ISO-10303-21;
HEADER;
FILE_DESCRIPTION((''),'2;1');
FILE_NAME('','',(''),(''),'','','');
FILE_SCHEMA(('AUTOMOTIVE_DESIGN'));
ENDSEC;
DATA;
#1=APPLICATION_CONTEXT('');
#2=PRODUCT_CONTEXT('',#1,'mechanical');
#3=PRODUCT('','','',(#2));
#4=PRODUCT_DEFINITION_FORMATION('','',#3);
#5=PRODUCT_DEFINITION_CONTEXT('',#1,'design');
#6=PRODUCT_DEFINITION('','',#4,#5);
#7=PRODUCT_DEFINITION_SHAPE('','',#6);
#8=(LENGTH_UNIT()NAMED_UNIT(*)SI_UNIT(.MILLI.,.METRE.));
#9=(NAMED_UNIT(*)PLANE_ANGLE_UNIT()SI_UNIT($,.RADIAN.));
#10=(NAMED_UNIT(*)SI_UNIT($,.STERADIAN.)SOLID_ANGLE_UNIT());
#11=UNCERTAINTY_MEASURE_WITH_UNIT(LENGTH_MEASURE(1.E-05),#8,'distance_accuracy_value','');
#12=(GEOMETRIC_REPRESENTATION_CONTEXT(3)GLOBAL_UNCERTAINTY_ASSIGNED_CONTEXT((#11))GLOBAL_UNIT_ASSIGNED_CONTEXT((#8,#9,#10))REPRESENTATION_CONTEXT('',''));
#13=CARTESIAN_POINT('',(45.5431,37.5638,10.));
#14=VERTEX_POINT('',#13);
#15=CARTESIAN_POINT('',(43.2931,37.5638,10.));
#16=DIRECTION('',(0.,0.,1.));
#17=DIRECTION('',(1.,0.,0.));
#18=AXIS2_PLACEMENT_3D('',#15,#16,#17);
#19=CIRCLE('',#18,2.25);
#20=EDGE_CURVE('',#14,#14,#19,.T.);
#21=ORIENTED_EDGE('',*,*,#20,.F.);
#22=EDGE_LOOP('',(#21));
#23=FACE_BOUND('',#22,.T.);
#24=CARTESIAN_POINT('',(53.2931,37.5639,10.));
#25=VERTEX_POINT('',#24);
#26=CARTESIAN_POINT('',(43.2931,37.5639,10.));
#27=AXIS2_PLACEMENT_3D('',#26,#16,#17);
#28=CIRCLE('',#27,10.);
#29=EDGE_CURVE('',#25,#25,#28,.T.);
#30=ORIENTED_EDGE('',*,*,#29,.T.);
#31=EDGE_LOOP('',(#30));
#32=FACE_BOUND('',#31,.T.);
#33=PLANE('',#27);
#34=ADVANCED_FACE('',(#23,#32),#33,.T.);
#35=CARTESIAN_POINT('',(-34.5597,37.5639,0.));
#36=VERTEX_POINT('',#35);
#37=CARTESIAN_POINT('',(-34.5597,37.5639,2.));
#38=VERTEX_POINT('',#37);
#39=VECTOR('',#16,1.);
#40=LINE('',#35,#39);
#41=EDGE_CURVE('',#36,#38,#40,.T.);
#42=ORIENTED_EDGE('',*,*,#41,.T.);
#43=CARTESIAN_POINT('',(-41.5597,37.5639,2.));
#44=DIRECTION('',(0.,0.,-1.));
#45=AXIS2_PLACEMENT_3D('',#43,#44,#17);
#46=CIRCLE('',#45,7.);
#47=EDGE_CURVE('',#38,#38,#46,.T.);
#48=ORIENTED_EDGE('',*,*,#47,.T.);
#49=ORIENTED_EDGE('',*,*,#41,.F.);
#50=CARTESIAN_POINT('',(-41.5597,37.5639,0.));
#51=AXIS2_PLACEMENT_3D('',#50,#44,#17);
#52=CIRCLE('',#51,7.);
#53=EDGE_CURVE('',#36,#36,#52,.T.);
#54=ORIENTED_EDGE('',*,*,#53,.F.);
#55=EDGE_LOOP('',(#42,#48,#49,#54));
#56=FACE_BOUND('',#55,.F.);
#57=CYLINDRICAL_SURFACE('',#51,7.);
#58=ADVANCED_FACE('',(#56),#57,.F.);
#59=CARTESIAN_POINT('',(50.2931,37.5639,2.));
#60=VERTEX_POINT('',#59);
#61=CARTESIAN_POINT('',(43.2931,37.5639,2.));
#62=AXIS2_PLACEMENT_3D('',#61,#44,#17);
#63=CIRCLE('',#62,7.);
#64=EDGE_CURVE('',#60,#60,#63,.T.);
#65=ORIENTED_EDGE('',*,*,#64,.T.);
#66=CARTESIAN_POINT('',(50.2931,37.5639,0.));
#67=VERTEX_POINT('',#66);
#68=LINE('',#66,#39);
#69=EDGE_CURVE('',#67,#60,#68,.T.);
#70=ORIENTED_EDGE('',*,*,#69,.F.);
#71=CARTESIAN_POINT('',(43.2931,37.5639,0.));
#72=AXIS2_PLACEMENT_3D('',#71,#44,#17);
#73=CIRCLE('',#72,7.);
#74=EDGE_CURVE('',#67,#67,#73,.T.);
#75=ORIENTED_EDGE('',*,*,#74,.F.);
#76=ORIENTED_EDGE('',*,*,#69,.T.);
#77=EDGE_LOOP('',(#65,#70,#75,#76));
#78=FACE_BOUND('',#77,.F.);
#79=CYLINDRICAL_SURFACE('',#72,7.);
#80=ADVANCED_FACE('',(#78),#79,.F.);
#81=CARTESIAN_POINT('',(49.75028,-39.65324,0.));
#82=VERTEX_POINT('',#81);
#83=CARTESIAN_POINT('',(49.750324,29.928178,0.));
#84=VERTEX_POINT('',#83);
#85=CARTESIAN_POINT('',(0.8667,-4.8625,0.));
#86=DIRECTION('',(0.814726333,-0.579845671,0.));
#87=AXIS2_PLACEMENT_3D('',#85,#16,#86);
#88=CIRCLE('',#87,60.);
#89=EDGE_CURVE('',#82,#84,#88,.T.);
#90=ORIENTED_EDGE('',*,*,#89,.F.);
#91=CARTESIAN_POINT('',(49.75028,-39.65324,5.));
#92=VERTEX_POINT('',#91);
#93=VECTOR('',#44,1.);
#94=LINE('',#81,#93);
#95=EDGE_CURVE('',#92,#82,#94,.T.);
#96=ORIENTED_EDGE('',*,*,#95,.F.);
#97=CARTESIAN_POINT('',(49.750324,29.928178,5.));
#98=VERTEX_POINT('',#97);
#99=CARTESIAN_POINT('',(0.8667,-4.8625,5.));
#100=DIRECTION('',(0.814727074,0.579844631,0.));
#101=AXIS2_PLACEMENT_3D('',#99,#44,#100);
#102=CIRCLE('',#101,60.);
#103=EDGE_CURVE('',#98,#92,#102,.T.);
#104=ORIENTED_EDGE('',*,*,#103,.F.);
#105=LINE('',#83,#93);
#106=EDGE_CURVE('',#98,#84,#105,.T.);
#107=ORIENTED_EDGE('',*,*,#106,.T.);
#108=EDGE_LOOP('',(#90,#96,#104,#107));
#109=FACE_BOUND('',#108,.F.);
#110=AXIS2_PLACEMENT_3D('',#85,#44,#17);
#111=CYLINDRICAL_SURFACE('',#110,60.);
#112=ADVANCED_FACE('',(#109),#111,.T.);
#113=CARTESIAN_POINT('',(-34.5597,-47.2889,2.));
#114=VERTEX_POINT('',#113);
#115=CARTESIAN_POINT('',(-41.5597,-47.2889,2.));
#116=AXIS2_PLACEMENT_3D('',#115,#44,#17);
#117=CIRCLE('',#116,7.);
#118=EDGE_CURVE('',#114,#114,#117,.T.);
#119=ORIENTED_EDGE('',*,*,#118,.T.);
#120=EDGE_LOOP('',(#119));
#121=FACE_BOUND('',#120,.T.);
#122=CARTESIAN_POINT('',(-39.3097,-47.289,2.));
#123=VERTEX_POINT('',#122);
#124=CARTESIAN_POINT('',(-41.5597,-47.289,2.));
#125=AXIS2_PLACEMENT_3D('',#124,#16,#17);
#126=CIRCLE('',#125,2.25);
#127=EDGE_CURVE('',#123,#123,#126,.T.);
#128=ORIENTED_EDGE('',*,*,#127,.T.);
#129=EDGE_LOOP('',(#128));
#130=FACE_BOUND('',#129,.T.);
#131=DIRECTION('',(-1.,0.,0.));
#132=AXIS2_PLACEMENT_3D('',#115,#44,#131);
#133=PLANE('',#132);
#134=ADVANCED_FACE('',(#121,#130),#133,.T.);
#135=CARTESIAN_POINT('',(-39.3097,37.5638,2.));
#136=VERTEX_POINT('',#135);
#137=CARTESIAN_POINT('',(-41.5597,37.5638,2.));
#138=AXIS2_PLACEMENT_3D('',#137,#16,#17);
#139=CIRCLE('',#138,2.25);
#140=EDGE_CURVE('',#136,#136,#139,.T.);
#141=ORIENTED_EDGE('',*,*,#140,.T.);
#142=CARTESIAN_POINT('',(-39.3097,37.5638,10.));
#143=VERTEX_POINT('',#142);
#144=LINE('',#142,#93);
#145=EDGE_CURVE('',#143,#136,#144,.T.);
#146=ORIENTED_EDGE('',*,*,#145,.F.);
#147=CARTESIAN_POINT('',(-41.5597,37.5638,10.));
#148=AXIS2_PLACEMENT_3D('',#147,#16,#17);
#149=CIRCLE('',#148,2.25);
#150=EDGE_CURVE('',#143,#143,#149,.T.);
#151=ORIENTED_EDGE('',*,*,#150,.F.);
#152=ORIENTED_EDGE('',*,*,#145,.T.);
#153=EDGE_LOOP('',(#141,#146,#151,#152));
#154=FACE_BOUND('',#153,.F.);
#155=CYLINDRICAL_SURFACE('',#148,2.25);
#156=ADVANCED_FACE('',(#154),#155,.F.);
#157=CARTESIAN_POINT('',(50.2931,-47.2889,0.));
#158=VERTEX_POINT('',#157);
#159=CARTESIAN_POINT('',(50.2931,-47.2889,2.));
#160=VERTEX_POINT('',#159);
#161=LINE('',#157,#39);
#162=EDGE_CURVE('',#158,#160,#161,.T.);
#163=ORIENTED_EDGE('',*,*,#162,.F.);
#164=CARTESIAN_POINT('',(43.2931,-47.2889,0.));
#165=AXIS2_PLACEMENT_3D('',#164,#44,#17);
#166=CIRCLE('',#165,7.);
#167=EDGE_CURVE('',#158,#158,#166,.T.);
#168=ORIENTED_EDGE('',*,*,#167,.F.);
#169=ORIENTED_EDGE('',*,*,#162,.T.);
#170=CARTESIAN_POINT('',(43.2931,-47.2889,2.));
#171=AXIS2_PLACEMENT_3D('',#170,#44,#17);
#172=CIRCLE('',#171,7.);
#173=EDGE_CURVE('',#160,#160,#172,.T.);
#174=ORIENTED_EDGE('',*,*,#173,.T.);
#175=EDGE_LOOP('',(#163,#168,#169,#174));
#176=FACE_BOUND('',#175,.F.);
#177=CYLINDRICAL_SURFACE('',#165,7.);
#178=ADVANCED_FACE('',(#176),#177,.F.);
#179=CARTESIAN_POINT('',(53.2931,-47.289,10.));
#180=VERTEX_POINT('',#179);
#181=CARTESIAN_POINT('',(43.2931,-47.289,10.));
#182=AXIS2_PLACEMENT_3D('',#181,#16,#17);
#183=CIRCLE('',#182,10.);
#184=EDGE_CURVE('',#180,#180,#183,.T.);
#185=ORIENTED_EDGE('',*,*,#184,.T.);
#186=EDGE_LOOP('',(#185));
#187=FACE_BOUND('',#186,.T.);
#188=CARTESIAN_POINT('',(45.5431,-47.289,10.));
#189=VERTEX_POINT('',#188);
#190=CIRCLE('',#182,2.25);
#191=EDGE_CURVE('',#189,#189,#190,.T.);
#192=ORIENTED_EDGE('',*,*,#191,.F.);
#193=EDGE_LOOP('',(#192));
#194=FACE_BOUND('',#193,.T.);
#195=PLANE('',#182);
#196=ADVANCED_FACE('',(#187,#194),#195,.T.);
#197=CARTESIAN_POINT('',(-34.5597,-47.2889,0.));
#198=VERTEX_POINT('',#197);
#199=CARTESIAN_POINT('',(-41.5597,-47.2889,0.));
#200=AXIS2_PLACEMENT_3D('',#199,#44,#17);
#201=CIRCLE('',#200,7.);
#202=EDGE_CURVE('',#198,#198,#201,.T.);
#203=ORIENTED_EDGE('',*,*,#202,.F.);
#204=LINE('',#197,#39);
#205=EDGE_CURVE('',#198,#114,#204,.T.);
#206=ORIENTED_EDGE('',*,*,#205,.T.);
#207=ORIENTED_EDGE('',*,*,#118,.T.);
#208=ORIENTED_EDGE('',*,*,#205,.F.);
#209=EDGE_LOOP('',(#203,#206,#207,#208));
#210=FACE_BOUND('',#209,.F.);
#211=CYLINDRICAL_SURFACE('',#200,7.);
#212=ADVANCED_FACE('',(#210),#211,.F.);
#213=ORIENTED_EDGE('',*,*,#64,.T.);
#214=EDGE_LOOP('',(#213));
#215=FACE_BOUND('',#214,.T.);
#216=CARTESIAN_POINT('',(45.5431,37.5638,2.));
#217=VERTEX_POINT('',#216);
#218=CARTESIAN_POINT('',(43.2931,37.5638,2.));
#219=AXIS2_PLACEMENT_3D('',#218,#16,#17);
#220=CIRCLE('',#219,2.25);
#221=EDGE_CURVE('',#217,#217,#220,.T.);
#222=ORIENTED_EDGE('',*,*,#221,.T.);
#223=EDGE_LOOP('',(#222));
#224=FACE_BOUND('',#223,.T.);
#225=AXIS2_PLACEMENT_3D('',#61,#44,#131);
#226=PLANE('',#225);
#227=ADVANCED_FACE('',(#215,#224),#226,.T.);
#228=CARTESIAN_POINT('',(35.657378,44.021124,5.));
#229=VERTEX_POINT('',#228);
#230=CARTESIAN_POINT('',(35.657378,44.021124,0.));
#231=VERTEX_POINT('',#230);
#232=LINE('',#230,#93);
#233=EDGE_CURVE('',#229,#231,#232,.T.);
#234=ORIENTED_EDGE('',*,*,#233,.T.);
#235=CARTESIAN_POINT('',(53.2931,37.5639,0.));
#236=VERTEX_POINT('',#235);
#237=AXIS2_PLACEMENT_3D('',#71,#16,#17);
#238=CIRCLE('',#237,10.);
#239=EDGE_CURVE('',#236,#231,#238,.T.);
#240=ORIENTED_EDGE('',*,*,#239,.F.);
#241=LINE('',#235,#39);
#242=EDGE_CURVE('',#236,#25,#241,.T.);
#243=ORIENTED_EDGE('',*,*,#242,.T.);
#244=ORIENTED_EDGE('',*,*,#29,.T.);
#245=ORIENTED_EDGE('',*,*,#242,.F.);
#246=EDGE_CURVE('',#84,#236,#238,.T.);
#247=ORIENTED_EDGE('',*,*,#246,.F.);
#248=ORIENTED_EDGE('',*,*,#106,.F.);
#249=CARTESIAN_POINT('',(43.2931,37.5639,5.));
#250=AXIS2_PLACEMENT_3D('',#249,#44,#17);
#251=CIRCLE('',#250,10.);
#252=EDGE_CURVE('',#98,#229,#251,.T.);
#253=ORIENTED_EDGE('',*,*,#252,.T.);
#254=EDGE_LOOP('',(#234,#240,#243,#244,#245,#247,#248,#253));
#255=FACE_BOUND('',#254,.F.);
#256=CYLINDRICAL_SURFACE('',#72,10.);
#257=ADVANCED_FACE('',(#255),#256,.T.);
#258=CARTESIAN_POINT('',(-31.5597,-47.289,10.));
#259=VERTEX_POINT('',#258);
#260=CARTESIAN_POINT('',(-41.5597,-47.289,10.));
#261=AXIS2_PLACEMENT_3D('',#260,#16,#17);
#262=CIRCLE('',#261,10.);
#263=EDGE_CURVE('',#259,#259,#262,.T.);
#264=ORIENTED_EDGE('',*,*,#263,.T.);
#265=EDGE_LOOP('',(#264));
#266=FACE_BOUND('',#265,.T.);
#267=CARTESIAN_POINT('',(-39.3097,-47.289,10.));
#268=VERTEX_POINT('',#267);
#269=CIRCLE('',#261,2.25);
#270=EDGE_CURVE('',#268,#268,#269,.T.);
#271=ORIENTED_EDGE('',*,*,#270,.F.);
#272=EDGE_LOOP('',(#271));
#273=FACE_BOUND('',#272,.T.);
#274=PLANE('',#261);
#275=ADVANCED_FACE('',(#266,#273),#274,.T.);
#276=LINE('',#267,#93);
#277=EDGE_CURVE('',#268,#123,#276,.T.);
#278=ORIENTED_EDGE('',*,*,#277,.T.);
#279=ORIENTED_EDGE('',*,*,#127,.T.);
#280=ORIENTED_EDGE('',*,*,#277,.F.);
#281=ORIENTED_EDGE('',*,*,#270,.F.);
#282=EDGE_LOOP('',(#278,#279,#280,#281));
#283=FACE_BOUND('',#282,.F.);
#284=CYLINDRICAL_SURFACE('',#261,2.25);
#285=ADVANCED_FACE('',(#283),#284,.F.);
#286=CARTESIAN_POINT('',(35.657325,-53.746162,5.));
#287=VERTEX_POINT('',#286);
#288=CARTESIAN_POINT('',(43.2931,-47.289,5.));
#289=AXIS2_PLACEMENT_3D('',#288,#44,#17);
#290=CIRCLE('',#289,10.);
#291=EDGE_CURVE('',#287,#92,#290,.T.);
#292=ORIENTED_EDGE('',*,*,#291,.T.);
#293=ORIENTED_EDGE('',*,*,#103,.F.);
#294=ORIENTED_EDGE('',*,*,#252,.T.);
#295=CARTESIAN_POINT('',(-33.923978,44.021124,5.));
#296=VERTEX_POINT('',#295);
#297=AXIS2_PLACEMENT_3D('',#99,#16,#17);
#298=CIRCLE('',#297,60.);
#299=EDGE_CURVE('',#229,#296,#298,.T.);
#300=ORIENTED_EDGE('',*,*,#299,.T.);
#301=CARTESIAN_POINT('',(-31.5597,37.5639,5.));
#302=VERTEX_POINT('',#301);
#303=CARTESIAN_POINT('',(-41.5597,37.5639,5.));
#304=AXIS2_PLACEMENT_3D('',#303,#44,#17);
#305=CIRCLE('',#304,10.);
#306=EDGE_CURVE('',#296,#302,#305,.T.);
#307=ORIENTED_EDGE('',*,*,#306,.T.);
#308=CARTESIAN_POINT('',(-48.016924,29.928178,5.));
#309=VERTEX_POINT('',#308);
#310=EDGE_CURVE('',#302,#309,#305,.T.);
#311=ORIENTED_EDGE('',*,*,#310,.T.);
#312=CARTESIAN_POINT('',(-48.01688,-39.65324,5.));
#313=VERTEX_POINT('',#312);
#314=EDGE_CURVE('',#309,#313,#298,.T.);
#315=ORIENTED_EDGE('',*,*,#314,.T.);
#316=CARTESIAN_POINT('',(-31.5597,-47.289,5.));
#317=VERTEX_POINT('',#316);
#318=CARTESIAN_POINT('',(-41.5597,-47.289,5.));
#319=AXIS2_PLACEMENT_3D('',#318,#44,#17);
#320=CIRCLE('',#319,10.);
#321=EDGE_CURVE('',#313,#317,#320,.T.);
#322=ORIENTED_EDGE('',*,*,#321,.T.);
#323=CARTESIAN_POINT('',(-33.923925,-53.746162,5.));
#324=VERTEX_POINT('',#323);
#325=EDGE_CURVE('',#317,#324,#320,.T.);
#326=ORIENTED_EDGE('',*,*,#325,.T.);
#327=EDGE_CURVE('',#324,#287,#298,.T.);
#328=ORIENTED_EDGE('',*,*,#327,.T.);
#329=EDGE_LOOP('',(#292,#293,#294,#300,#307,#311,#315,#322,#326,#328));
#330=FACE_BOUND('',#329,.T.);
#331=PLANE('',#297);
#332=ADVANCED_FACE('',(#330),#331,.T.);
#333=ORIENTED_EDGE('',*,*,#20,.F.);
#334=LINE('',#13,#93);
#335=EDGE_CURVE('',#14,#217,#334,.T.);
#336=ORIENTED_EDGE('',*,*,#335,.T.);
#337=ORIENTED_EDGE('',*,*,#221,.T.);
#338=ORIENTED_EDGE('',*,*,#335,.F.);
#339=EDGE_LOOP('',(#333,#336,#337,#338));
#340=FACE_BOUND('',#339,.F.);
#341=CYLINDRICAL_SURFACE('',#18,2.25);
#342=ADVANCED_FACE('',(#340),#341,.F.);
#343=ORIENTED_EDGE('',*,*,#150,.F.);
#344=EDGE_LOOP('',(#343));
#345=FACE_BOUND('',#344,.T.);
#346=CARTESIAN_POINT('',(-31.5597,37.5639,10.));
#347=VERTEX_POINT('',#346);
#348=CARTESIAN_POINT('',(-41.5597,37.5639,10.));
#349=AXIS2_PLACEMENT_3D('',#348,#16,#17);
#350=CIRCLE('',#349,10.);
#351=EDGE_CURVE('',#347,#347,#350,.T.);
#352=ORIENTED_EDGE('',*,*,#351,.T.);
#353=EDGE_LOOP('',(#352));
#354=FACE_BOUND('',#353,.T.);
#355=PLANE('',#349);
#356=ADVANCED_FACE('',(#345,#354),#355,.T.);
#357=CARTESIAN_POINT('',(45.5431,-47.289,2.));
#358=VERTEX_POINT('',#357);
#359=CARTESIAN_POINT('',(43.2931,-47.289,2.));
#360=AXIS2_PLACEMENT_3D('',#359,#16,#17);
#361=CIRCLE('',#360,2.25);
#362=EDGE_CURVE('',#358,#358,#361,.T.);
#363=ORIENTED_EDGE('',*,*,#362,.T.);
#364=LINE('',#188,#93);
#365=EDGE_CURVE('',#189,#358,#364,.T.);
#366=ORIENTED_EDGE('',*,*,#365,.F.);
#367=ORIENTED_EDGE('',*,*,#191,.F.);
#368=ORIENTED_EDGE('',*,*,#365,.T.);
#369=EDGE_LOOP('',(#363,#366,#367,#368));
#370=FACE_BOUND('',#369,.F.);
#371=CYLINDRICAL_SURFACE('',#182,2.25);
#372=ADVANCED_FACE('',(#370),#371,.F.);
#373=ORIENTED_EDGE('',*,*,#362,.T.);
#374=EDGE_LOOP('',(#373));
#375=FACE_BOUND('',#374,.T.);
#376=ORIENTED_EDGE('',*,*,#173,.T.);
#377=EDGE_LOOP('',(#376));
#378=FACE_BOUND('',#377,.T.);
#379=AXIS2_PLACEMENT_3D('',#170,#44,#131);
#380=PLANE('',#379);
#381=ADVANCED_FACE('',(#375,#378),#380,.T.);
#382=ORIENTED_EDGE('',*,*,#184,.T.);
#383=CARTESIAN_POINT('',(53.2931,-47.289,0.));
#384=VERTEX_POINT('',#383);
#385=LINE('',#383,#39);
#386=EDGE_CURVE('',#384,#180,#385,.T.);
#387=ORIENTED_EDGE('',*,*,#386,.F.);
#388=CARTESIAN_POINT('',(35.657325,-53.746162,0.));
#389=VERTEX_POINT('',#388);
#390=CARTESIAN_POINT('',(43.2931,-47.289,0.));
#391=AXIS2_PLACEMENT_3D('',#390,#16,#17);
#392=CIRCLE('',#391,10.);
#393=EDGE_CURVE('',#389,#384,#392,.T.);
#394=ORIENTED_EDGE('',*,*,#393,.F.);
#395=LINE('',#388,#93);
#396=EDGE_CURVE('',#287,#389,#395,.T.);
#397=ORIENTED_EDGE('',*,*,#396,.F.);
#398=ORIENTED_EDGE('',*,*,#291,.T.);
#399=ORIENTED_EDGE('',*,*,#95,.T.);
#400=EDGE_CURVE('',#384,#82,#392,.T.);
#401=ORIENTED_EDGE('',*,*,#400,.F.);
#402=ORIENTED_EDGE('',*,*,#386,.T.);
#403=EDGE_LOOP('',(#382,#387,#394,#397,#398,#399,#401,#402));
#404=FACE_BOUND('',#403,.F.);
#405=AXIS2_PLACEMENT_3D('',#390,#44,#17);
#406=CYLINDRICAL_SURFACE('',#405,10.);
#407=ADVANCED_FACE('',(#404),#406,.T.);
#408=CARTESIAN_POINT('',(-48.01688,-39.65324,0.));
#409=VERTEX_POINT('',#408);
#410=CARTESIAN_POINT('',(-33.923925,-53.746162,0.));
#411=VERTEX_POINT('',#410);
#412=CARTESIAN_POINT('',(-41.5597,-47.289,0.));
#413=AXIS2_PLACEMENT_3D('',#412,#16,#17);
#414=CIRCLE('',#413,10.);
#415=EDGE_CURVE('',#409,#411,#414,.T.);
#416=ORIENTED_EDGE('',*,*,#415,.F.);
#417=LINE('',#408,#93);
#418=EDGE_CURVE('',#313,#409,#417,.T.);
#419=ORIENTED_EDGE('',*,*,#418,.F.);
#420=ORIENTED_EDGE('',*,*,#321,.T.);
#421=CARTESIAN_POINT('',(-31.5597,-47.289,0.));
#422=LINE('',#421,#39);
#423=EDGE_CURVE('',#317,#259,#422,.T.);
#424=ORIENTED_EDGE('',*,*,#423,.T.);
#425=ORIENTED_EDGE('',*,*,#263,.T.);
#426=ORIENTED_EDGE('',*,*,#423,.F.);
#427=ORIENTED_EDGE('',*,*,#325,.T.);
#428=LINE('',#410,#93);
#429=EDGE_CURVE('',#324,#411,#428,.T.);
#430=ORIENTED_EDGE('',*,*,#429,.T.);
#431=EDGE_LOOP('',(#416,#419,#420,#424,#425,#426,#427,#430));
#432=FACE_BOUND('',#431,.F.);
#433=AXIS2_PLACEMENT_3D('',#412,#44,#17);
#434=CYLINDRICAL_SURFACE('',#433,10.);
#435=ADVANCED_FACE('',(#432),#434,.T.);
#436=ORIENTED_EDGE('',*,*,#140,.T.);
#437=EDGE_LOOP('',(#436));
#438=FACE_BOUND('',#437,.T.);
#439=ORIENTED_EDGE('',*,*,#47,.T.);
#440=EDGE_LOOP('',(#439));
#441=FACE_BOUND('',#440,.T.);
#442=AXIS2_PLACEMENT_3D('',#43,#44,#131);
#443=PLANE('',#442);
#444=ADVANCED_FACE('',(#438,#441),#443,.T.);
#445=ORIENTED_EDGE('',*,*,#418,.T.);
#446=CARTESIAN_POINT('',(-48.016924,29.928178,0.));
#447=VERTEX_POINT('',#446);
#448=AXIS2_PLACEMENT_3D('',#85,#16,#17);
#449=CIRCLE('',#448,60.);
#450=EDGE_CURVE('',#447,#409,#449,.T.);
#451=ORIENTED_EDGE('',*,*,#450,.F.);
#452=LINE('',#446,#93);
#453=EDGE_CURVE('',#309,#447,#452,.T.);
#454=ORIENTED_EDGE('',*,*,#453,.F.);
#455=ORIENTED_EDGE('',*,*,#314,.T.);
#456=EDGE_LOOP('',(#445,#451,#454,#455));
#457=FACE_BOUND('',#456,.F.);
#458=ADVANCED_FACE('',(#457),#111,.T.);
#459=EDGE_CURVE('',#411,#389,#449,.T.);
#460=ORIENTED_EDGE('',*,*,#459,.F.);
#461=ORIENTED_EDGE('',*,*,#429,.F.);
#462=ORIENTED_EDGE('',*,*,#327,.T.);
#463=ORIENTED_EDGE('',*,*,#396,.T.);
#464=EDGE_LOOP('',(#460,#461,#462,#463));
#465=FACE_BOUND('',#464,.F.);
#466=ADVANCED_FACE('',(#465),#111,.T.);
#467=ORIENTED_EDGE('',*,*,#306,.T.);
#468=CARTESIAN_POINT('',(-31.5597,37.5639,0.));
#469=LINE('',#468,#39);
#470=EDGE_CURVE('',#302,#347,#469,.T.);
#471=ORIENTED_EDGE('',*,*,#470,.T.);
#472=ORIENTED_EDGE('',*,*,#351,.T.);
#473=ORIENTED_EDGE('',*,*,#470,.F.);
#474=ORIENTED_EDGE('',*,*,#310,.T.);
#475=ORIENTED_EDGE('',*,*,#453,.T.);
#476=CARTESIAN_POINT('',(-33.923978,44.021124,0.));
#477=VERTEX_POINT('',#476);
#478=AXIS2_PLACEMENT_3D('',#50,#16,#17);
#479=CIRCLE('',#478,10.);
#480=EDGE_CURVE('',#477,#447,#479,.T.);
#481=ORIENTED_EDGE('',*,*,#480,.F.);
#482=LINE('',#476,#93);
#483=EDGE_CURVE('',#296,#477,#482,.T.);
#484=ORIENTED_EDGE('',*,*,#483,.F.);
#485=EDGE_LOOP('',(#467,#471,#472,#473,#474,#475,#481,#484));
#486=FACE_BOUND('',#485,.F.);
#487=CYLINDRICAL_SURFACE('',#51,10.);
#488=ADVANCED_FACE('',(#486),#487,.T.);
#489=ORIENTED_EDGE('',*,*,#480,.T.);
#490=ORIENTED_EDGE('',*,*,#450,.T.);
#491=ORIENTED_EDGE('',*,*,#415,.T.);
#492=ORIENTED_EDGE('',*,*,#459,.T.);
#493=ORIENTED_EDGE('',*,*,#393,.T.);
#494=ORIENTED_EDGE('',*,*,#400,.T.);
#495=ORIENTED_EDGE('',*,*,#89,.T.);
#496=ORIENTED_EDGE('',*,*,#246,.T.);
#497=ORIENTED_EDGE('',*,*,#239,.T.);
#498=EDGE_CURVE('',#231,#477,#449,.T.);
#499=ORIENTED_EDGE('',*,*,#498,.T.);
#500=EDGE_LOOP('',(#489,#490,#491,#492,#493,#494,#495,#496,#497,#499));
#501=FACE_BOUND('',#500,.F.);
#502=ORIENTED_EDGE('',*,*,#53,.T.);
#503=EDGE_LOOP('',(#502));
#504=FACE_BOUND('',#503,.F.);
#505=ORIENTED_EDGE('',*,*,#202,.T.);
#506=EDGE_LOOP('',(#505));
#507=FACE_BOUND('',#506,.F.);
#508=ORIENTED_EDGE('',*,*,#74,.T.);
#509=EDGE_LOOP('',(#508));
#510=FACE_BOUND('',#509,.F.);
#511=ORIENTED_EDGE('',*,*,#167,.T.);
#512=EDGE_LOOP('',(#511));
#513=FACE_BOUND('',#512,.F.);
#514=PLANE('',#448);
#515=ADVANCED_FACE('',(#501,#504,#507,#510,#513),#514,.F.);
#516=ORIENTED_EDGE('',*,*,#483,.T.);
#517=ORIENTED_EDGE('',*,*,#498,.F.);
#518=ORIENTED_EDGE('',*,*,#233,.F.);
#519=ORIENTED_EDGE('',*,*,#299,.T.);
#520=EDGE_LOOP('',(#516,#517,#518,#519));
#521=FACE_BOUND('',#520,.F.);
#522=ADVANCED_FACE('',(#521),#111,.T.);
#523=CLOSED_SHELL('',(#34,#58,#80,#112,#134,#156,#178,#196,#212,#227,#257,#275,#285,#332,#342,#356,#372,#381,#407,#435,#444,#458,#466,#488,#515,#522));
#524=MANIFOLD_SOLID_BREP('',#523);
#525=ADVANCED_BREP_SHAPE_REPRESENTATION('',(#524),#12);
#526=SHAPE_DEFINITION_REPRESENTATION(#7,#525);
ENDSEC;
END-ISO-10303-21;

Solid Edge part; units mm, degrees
sketch "Sketch1" plane through (0, 0, 0) normal (0, 0, 1) x (1, 0, 0)
  circle A0 centre (0.8667, -4.8625) radius 60
extrude "Protrusion1" add sketch "Sketch1" along normal blind 5
sketch "Sketch2" plane through (0, 0, 0) normal (0, 0, 1) x (1, 0, 0)
  circle A0 centre (-41.5597, -47.289) radius 10
  circle A1 centre (-41.5597, 37.5639) radius 10
  circle A2 centre (43.2931, -47.289) radius 10
  circle A3 centre (43.2931, 37.5639) radius 10
  dimension "D1" = 120
  dimension "D2" = 20
extrude "ExtrudedProtrusion_2" add sketch "Sketch2" along normal blind 10
sketch "Sketch3" plane through (-41.5597, -47.289, 10) normal (0, 0, 1) x (1, 0, 0)
  circle A0 centre (0, 0) radius 2.25
  circle A1 centre (0, 84.8528) radius 2.25
  circle A2 centre (84.8528, 0) radius 2.25
  circle A3 centre (84.8528, 84.8528) radius 2.25
extrude "Cutout1" cut sketch "Sketch3" against normal up to next
sketch "Sketch4" plane through (0.8667, -4.8625, 0) normal (0, 0, -1) x (1, 0, 0)
  circle A0 centre (-42.4264, -42.4264) radius 7
  circle A1 centre (42.4264, -42.4264) radius 7
  circle A2 centre (42.4264, 42.4264) radius 7
  circle A3 centre (-42.4264, 42.4264) radius 7
extrude "ExtrudedCutout_2" cut sketch "Sketch4" against normal blind 2
